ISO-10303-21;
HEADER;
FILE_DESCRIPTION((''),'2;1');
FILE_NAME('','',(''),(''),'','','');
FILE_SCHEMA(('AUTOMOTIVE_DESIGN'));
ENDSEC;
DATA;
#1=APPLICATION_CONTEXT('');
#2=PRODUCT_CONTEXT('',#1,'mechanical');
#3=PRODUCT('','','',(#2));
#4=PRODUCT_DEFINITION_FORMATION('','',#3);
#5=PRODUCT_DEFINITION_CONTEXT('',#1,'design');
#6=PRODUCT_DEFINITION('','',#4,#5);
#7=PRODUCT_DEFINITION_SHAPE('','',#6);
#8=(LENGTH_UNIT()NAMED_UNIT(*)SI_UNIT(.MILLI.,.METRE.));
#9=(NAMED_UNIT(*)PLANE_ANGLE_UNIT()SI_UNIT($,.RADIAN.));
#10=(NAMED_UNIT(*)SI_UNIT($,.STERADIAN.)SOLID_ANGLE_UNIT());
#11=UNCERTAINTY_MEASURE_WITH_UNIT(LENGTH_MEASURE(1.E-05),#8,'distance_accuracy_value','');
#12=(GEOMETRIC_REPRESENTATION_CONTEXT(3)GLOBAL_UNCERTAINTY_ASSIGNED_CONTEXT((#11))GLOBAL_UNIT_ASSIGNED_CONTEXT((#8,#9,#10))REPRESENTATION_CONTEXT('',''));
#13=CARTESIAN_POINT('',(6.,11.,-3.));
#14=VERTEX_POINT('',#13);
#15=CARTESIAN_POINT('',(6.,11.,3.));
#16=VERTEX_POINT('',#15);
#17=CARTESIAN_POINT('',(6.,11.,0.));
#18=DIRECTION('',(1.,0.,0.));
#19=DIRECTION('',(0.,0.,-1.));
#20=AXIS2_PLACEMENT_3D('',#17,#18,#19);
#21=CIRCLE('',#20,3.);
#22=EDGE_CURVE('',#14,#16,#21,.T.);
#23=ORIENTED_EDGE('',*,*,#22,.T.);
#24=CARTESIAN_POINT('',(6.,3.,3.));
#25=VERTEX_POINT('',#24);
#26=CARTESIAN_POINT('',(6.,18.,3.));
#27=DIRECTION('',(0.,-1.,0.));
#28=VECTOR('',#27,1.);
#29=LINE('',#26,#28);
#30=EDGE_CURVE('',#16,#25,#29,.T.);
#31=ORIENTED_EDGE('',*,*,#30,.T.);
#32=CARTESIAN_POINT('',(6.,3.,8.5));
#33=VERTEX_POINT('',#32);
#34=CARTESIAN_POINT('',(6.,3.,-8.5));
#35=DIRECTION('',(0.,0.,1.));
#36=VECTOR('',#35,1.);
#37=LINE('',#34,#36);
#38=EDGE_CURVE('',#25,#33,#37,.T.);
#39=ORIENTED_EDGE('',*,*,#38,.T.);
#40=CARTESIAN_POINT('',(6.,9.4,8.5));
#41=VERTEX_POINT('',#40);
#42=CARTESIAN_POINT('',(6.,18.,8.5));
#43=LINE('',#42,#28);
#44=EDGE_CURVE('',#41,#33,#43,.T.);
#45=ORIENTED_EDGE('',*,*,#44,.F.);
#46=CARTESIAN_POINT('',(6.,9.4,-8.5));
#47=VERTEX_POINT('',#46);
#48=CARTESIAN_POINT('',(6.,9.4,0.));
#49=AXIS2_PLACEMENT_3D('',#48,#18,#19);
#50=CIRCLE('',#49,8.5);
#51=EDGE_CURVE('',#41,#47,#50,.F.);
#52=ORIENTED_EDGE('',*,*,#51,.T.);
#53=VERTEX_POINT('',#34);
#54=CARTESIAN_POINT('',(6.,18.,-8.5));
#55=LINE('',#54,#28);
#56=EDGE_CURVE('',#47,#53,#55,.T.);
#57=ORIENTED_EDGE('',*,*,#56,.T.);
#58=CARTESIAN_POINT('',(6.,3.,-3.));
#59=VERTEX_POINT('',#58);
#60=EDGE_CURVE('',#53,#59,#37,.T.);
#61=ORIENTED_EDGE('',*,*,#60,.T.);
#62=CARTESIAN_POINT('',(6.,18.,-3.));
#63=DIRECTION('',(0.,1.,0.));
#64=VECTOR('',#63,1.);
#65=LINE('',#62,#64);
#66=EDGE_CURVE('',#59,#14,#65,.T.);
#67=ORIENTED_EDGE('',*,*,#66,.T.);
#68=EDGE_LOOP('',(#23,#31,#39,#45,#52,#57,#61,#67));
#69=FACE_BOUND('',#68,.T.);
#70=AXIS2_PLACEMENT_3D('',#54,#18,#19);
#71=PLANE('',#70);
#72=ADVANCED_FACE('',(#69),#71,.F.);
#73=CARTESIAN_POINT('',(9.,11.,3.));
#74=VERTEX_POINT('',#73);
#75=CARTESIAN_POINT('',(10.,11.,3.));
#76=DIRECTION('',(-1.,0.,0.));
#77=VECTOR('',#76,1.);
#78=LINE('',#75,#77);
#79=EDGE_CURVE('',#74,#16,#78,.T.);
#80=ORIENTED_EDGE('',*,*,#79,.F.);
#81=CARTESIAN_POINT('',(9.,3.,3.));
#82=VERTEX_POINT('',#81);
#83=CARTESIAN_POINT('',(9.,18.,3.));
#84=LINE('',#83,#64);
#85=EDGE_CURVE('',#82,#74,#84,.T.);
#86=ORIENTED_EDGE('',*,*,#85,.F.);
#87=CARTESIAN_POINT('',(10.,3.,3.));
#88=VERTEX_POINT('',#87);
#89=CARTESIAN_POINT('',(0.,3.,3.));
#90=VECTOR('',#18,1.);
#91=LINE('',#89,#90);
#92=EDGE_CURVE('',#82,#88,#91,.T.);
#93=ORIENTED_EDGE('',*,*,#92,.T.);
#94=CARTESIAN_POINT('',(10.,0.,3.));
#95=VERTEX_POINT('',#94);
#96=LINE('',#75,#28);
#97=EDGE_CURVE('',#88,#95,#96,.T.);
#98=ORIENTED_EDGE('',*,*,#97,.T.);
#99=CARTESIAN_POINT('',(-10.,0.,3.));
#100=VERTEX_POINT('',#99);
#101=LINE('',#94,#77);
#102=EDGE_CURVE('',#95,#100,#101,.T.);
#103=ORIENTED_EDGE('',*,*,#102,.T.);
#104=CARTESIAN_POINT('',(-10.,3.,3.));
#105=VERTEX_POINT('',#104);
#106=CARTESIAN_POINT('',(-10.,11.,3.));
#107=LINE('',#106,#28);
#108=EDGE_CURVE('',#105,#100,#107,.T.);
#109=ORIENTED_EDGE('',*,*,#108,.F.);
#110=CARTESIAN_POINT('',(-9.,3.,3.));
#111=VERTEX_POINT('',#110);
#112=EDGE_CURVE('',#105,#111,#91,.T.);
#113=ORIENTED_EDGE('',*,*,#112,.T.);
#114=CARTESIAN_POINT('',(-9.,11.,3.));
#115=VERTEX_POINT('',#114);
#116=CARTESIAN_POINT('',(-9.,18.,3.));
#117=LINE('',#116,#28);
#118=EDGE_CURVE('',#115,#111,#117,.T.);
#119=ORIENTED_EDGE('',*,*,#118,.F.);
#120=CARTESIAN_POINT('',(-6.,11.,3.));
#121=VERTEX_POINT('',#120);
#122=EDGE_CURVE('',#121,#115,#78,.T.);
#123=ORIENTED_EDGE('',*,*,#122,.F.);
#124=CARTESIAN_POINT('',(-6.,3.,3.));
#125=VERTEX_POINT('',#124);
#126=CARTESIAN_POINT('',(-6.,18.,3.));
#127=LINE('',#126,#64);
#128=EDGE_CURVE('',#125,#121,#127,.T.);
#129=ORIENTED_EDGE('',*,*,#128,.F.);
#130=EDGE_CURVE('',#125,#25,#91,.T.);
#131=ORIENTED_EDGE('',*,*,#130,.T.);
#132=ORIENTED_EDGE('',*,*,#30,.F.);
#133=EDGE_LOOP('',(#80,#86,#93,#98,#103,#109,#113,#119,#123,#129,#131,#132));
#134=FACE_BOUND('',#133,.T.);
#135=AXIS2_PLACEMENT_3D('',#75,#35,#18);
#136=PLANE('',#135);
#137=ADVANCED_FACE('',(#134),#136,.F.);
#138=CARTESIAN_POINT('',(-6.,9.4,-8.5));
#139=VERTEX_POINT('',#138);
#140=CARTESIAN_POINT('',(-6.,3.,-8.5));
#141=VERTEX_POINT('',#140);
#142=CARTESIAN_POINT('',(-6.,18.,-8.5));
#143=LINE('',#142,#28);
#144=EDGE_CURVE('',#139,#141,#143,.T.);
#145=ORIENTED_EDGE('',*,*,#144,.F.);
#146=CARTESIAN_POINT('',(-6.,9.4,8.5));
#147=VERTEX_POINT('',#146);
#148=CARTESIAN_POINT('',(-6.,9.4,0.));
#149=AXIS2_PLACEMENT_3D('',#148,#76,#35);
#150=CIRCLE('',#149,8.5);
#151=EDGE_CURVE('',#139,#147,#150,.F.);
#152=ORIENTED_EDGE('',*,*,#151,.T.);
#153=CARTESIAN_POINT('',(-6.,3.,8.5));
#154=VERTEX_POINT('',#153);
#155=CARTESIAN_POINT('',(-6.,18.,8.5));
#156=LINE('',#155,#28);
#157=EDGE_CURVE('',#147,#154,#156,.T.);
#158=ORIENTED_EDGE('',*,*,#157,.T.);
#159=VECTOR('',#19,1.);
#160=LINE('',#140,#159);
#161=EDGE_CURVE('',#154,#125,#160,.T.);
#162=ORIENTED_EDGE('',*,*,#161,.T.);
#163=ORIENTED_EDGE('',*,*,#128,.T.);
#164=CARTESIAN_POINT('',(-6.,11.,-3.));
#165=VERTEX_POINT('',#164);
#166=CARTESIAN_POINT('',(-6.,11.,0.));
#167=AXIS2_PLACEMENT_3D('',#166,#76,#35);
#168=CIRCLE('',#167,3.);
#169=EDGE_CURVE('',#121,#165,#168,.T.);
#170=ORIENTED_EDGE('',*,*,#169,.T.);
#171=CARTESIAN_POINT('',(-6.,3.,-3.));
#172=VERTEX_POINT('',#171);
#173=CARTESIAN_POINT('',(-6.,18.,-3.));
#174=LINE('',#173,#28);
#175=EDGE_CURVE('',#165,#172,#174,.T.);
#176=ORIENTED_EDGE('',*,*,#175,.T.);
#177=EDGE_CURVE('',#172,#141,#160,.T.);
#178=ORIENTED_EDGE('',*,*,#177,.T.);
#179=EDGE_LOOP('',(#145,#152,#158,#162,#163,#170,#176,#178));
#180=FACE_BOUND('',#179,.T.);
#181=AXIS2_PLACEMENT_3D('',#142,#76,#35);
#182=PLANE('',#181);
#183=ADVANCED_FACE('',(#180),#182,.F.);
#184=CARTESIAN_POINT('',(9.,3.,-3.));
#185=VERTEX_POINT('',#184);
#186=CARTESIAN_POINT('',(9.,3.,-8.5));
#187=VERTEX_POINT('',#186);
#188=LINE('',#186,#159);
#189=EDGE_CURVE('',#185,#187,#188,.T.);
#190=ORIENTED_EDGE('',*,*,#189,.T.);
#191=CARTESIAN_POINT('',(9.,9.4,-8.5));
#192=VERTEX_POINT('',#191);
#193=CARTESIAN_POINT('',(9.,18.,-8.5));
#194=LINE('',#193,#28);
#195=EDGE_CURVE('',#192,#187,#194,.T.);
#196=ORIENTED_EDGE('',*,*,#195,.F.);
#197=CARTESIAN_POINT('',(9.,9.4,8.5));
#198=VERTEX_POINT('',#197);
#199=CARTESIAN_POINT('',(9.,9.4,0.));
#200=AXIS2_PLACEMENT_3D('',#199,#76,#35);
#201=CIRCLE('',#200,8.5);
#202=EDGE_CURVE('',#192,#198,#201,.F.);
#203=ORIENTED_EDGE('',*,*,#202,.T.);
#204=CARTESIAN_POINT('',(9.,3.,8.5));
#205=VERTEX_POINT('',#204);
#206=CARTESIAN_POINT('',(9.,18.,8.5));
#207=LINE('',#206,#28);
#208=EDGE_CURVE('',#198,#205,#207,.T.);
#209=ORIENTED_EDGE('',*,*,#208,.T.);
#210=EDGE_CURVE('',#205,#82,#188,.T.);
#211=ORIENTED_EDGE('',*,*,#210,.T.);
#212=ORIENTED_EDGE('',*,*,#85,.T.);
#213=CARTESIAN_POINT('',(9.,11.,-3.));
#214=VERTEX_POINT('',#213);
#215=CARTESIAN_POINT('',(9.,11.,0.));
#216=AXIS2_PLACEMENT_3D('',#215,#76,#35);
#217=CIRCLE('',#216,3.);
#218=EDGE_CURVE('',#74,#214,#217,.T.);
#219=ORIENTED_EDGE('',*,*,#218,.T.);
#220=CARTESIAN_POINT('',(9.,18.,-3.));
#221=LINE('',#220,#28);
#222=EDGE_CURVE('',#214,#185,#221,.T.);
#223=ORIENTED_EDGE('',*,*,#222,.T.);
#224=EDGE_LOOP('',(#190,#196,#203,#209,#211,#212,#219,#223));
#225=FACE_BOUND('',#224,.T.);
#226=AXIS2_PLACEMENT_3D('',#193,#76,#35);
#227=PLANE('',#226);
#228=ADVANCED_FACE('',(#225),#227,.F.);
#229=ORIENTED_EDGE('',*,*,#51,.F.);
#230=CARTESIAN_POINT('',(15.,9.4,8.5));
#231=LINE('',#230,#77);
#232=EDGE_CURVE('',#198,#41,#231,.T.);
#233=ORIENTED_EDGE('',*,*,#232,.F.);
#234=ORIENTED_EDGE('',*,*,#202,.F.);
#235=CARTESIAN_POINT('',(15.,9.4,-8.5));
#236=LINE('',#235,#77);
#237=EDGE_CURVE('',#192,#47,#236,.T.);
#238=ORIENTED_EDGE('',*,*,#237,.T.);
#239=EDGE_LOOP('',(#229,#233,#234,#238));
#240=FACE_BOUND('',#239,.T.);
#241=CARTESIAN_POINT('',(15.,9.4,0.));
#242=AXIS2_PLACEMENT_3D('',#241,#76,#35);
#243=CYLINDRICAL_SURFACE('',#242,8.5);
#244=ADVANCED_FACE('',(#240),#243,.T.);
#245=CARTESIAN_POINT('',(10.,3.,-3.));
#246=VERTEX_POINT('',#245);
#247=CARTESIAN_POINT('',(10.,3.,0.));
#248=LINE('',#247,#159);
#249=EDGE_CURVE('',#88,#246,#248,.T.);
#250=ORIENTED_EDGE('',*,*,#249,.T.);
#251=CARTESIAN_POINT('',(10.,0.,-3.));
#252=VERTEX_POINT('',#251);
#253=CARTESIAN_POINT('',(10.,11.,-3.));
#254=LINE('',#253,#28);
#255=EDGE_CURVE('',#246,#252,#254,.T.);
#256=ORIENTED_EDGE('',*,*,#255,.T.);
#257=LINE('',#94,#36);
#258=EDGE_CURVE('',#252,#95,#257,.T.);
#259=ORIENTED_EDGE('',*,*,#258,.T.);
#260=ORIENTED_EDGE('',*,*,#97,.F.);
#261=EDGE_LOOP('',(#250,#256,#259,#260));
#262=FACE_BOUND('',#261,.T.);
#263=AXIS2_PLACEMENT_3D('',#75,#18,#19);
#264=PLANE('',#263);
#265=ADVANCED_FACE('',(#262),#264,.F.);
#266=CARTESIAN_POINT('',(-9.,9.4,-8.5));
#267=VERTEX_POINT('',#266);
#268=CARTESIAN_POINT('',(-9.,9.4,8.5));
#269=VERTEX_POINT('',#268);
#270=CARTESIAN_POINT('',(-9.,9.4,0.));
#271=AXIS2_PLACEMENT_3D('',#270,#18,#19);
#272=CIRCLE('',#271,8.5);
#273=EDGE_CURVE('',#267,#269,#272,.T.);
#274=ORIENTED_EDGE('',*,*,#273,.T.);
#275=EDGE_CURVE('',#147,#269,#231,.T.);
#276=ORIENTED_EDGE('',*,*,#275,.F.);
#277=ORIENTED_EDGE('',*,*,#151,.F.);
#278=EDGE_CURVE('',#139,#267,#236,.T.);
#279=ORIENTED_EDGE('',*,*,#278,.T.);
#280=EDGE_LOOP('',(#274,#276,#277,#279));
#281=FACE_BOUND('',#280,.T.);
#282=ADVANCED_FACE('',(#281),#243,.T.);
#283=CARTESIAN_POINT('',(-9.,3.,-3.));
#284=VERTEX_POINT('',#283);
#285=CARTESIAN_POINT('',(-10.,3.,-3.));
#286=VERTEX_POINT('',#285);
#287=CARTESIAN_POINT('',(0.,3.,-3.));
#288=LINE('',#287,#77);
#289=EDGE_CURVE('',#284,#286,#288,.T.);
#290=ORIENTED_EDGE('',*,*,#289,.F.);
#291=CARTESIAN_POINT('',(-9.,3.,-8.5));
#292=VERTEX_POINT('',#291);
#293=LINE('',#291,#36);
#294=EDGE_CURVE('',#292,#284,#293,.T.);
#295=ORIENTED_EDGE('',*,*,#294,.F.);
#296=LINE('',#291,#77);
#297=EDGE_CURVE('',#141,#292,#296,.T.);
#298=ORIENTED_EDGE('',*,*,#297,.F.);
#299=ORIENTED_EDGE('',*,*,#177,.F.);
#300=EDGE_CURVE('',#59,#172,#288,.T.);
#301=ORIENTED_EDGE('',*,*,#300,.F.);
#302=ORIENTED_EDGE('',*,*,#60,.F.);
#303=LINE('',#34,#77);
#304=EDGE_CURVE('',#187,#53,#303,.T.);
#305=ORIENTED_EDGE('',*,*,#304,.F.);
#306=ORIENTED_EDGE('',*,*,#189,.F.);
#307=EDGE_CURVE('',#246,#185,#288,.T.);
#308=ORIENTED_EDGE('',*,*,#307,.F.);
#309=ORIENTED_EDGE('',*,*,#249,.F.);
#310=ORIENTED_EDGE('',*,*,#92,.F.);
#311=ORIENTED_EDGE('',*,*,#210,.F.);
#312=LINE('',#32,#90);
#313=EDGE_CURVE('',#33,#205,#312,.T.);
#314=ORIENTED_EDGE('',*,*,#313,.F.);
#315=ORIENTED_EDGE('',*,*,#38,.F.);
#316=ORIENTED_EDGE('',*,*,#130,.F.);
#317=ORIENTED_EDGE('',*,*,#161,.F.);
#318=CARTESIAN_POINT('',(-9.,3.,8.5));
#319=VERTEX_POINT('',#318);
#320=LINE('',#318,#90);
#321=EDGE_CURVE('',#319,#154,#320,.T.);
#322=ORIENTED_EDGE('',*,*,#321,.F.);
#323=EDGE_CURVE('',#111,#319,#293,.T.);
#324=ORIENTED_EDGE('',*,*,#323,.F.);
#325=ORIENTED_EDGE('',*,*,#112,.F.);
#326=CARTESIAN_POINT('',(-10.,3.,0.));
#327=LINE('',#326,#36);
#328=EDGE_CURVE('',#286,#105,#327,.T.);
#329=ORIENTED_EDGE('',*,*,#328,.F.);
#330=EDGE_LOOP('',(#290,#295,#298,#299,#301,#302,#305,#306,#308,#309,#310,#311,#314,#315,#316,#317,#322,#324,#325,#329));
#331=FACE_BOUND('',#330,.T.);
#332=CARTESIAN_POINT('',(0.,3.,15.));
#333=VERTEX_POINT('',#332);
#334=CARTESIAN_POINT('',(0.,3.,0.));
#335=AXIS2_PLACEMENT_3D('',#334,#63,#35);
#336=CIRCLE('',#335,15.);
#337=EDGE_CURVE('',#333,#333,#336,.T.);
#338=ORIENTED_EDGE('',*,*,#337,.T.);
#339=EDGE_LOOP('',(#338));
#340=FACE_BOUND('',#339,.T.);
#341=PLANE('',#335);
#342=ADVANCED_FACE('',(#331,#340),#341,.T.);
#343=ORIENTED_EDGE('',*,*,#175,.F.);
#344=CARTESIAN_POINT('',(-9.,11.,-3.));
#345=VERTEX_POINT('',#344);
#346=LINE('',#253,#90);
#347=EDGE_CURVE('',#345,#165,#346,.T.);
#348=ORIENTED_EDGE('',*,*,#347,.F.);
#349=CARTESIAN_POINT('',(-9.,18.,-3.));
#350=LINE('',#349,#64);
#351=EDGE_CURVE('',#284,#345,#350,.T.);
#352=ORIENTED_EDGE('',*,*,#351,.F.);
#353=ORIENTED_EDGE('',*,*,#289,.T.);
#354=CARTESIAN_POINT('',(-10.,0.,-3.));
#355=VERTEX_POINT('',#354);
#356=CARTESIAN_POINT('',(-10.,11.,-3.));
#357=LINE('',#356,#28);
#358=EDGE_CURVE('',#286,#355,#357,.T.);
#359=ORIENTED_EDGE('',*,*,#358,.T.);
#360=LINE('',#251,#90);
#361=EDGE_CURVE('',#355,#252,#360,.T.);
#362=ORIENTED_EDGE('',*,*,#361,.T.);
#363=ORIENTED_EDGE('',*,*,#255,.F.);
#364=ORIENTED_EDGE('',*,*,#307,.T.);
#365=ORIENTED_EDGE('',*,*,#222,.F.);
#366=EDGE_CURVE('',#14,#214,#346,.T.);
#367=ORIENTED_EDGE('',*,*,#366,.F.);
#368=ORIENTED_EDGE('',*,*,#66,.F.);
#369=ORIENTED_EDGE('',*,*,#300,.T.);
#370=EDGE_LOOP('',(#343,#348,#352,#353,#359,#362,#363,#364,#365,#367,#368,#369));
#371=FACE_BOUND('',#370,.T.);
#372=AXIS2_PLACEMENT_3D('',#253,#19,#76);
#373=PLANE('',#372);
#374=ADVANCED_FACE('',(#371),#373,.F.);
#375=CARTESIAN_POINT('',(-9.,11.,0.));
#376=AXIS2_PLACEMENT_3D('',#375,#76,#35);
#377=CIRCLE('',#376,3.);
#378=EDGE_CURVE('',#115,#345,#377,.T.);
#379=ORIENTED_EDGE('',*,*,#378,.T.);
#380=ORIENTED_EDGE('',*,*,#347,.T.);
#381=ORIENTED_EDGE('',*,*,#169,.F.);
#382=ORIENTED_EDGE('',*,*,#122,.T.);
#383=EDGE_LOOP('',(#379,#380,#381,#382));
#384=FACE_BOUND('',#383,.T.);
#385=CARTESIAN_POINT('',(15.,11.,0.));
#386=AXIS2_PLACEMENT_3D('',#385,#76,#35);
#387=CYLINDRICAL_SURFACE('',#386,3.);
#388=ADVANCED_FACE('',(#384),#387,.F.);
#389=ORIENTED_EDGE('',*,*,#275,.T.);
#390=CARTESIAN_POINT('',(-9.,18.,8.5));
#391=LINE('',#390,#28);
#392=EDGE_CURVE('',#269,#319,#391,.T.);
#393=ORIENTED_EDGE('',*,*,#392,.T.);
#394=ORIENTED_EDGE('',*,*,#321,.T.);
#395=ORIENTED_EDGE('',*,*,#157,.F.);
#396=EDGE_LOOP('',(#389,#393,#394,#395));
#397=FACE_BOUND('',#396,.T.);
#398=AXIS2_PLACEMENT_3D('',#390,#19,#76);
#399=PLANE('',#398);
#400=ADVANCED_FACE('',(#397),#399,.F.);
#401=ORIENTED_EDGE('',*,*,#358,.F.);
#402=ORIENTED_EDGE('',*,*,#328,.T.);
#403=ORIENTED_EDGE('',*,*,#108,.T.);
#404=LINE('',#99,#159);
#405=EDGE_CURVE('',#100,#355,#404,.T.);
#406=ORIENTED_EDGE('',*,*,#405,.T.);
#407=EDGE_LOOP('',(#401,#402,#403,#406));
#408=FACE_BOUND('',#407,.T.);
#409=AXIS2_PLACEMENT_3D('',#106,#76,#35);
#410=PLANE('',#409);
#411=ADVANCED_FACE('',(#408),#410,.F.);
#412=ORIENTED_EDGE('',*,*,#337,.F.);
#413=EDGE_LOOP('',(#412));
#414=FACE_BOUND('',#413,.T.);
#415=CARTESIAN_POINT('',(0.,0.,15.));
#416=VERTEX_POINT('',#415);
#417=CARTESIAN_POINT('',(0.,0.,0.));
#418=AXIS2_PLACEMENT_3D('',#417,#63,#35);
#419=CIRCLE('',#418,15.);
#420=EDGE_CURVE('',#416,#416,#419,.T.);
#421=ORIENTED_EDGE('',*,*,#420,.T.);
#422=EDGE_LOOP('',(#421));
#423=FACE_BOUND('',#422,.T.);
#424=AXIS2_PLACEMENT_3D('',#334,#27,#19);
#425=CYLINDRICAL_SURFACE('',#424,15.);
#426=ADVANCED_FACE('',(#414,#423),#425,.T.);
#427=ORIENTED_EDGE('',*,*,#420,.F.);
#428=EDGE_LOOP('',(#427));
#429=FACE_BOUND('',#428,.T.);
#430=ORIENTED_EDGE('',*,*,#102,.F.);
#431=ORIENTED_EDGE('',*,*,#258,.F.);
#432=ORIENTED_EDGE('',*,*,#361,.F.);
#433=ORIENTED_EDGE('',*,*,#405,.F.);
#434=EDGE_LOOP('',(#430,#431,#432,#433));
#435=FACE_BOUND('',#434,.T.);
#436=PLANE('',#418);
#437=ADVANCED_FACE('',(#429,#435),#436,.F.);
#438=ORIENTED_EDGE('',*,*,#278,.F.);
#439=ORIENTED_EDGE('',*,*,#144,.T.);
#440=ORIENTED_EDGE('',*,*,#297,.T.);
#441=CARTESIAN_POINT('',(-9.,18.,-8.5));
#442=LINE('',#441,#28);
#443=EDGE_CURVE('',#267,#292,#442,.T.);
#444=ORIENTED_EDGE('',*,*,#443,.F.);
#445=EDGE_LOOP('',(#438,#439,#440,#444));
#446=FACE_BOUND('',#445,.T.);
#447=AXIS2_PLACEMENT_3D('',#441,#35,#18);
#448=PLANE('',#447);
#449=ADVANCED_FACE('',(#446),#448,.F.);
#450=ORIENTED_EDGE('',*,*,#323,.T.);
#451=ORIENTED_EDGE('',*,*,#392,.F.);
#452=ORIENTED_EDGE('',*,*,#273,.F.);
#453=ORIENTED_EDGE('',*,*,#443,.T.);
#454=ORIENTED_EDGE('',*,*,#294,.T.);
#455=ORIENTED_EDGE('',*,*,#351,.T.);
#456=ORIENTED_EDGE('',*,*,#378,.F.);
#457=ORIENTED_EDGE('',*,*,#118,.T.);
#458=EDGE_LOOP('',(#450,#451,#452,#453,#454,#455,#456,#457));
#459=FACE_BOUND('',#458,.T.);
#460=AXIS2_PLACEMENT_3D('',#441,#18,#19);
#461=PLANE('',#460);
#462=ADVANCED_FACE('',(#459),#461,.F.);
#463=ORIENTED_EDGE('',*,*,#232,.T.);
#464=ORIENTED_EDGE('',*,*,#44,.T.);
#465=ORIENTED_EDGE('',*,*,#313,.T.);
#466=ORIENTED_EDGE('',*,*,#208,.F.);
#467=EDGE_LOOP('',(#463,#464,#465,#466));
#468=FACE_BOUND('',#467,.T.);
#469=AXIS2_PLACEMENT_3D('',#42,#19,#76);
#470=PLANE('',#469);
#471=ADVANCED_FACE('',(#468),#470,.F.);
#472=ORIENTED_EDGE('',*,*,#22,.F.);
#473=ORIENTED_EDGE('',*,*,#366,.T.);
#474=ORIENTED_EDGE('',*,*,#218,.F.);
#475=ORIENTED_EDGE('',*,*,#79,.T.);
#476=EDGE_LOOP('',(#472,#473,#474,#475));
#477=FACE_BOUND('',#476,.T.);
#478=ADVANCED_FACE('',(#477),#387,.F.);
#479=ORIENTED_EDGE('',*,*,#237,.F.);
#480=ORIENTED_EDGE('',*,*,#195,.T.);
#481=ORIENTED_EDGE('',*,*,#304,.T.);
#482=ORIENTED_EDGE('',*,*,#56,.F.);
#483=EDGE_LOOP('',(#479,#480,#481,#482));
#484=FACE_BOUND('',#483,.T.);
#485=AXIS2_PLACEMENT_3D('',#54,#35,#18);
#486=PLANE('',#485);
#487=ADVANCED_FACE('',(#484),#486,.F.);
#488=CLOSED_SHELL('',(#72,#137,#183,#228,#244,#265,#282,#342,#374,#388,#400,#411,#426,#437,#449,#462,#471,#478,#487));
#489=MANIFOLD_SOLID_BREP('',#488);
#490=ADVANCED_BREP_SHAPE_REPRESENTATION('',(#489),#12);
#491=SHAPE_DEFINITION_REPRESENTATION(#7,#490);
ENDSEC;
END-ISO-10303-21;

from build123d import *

# Parameters (mm, degrees)
SKETCH1_R           = 15
BOSS_EXTRUDE1_DEPTH = 3
SKETCH2_W           = 3
SKETCH2_H           = 17
BOSS_EXTRUDE2_DEPTH = 15
CUT_EXTRUDE1_DEPTH  = 25
SKETCH4_W           = 20
SKETCH4_H           = 6
CUT_EXTRUDE2_DEPTH  = 11
CUT_EXTRUDE3_DEPTH  = 25


with BuildPart() as part:
    # Sketch1 → Boss-Extrude1 (new body)
    with BuildSketch(Plane(origin=(0, 0, 0), x_dir=(1, 0, 0), z_dir=(0, 1, 0))):
        Circle(SKETCH1_R)
    extrude(amount=BOSS_EXTRUDE1_DEPTH)

    # Sketch2 → Boss-Extrude2 (add)
    with BuildSketch(Plane(origin=(0, 3, 0), x_dir=(1, 0, 0), z_dir=(0, 1, 0))):
        with Locations((-7.5, 0)):
            Rectangle(SKETCH2_W, SKETCH2_H)
        with Locations((7.5, 0)):
            Rectangle(SKETCH2_W, SKETCH2_H)
    extrude(amount=BOSS_EXTRUDE2_DEPTH)

    # Sketch3 → Cut-Extrude1 (cut, through all)
    with BuildSketch(Plane.ZY.offset(9)):
        with BuildLine():
            Line((-8.5, 9.4), (-8.5, 18))
            Line((-8.5, 18), (8.5, 18))
            Line((8.5, 18), (8.5, 9.4))
            ThreePointArc((8.5, 9.4), (0, 17.9), (-8.5, 9.4))
        make_face()
    extrude(amount=-CUT_EXTRUDE1_DEPTH, mode=Mode.SUBTRACT)

    # Sketch4 → Cut-Extrude2 (cut)
    with BuildSketch(Plane(origin=(0, 0, 0), x_dir=(-1, 0, 0), z_dir=(0, -1, 0))):
        Rectangle(SKETCH4_W, SKETCH4_H)
    extrude(amount=-CUT_EXTRUDE2_DEPTH, mode=Mode.SUBTRACT)

    # Sketch5 → Cut-Extrude3 (cut, through all)
    with BuildSketch(Plane.ZY.offset(9)):
        with BuildLine():
            Line((3, 11), (-3, 11))
            ThreePointArc((-3, 11), (0, 14), (3, 11))
        make_face()
    extrude(amount=-CUT_EXTRUDE3_DEPTH, mode=Mode.SUBTRACT)


solid = part.part
